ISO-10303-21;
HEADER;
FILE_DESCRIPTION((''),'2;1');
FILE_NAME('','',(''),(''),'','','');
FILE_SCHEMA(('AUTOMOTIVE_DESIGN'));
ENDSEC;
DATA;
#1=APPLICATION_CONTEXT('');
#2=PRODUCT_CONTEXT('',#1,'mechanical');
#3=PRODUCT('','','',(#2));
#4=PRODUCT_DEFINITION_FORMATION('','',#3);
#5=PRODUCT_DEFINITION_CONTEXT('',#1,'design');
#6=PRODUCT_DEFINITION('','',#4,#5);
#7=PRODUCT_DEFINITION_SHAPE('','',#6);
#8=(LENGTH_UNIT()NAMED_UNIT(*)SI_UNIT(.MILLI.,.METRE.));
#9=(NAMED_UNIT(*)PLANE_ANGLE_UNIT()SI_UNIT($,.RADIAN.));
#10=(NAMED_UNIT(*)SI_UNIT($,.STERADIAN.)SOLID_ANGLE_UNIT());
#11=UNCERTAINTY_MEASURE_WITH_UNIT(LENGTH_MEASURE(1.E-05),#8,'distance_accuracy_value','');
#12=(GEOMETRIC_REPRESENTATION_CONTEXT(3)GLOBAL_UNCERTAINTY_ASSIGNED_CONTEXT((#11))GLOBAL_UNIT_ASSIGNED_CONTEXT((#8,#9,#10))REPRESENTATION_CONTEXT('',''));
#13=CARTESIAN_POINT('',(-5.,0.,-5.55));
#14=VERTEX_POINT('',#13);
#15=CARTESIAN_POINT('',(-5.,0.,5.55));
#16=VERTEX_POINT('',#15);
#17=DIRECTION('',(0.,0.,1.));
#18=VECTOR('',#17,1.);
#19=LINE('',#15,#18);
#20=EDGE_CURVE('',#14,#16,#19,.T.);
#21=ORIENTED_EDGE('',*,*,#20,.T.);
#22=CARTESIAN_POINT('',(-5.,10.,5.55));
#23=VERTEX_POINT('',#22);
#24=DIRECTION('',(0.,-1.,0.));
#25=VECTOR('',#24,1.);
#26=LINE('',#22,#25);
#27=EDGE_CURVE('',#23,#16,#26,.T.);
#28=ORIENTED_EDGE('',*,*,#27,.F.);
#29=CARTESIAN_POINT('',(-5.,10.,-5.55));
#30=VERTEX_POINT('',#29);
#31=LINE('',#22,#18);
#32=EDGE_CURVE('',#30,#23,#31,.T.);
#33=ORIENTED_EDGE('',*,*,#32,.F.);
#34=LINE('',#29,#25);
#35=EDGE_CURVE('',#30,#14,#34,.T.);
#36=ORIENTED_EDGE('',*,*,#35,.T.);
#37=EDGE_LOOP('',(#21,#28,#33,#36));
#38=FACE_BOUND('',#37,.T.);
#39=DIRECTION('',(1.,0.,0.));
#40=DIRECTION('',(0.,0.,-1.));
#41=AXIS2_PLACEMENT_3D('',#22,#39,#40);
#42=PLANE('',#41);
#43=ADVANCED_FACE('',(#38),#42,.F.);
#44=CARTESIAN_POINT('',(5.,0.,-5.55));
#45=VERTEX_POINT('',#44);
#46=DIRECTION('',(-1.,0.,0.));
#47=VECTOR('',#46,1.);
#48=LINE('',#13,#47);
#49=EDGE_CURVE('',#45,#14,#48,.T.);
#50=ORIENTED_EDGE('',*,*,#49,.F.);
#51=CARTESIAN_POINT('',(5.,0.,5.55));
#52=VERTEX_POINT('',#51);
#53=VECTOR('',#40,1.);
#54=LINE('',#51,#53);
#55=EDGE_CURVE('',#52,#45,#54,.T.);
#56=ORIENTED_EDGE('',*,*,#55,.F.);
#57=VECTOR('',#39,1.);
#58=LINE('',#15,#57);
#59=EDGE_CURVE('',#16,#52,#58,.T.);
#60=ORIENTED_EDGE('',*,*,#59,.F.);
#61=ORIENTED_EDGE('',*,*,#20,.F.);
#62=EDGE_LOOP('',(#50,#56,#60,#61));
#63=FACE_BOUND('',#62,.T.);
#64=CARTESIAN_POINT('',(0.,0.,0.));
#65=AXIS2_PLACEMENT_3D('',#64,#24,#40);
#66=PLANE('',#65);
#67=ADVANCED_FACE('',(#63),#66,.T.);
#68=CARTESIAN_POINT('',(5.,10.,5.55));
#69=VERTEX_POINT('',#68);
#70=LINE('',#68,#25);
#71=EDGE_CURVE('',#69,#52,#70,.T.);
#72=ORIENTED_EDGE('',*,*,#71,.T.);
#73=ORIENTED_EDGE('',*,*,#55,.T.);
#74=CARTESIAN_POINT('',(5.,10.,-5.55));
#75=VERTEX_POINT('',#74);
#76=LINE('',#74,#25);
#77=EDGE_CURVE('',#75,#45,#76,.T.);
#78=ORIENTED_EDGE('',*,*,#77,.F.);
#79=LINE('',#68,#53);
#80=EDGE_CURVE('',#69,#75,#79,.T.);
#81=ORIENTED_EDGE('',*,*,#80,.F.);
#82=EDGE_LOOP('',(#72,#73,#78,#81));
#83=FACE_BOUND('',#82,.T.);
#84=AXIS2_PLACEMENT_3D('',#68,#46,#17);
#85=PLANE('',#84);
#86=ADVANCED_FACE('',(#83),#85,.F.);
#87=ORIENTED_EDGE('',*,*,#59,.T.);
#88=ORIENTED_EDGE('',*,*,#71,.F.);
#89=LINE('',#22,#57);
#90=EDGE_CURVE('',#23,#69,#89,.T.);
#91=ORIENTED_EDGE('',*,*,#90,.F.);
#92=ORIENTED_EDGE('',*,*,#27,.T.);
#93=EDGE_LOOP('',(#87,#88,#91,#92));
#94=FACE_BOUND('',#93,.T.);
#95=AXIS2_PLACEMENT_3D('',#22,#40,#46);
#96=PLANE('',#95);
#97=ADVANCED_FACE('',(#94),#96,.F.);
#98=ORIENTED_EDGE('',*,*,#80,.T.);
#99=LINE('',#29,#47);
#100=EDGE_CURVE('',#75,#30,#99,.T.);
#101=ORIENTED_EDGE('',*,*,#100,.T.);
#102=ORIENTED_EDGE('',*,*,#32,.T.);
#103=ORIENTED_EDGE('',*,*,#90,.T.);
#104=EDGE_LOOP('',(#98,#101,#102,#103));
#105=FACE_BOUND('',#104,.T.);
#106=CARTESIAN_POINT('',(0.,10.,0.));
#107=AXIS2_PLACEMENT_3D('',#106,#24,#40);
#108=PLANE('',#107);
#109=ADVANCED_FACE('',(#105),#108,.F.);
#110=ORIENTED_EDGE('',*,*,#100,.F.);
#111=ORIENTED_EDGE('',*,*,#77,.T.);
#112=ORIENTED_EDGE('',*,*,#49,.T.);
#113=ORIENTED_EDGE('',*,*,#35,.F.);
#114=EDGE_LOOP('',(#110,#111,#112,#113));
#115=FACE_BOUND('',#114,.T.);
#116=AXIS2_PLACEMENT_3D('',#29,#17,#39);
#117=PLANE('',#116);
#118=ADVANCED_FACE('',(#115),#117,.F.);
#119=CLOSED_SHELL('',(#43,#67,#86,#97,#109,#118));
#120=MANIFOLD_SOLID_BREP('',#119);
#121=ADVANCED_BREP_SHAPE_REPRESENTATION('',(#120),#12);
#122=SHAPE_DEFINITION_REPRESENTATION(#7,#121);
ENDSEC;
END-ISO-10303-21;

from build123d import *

# Parameters (mm, degrees)
SKETCH_1_W      = 10
SKETCH_1_H      = 11.1
EXTRUDE_1_DEPTH = 10


with BuildPart() as part:
    # 草图1 → 凸台-拉伸1 (new body)
    with BuildSketch(Plane(origin=(0, 0, 0), x_dir=(1, 0, 0), z_dir=(0, 1, 0))):
        Rectangle(SKETCH_1_W, SKETCH_1_H)
    extrude(amount=EXTRUDE_1_DEPTH)


solid = part.part
